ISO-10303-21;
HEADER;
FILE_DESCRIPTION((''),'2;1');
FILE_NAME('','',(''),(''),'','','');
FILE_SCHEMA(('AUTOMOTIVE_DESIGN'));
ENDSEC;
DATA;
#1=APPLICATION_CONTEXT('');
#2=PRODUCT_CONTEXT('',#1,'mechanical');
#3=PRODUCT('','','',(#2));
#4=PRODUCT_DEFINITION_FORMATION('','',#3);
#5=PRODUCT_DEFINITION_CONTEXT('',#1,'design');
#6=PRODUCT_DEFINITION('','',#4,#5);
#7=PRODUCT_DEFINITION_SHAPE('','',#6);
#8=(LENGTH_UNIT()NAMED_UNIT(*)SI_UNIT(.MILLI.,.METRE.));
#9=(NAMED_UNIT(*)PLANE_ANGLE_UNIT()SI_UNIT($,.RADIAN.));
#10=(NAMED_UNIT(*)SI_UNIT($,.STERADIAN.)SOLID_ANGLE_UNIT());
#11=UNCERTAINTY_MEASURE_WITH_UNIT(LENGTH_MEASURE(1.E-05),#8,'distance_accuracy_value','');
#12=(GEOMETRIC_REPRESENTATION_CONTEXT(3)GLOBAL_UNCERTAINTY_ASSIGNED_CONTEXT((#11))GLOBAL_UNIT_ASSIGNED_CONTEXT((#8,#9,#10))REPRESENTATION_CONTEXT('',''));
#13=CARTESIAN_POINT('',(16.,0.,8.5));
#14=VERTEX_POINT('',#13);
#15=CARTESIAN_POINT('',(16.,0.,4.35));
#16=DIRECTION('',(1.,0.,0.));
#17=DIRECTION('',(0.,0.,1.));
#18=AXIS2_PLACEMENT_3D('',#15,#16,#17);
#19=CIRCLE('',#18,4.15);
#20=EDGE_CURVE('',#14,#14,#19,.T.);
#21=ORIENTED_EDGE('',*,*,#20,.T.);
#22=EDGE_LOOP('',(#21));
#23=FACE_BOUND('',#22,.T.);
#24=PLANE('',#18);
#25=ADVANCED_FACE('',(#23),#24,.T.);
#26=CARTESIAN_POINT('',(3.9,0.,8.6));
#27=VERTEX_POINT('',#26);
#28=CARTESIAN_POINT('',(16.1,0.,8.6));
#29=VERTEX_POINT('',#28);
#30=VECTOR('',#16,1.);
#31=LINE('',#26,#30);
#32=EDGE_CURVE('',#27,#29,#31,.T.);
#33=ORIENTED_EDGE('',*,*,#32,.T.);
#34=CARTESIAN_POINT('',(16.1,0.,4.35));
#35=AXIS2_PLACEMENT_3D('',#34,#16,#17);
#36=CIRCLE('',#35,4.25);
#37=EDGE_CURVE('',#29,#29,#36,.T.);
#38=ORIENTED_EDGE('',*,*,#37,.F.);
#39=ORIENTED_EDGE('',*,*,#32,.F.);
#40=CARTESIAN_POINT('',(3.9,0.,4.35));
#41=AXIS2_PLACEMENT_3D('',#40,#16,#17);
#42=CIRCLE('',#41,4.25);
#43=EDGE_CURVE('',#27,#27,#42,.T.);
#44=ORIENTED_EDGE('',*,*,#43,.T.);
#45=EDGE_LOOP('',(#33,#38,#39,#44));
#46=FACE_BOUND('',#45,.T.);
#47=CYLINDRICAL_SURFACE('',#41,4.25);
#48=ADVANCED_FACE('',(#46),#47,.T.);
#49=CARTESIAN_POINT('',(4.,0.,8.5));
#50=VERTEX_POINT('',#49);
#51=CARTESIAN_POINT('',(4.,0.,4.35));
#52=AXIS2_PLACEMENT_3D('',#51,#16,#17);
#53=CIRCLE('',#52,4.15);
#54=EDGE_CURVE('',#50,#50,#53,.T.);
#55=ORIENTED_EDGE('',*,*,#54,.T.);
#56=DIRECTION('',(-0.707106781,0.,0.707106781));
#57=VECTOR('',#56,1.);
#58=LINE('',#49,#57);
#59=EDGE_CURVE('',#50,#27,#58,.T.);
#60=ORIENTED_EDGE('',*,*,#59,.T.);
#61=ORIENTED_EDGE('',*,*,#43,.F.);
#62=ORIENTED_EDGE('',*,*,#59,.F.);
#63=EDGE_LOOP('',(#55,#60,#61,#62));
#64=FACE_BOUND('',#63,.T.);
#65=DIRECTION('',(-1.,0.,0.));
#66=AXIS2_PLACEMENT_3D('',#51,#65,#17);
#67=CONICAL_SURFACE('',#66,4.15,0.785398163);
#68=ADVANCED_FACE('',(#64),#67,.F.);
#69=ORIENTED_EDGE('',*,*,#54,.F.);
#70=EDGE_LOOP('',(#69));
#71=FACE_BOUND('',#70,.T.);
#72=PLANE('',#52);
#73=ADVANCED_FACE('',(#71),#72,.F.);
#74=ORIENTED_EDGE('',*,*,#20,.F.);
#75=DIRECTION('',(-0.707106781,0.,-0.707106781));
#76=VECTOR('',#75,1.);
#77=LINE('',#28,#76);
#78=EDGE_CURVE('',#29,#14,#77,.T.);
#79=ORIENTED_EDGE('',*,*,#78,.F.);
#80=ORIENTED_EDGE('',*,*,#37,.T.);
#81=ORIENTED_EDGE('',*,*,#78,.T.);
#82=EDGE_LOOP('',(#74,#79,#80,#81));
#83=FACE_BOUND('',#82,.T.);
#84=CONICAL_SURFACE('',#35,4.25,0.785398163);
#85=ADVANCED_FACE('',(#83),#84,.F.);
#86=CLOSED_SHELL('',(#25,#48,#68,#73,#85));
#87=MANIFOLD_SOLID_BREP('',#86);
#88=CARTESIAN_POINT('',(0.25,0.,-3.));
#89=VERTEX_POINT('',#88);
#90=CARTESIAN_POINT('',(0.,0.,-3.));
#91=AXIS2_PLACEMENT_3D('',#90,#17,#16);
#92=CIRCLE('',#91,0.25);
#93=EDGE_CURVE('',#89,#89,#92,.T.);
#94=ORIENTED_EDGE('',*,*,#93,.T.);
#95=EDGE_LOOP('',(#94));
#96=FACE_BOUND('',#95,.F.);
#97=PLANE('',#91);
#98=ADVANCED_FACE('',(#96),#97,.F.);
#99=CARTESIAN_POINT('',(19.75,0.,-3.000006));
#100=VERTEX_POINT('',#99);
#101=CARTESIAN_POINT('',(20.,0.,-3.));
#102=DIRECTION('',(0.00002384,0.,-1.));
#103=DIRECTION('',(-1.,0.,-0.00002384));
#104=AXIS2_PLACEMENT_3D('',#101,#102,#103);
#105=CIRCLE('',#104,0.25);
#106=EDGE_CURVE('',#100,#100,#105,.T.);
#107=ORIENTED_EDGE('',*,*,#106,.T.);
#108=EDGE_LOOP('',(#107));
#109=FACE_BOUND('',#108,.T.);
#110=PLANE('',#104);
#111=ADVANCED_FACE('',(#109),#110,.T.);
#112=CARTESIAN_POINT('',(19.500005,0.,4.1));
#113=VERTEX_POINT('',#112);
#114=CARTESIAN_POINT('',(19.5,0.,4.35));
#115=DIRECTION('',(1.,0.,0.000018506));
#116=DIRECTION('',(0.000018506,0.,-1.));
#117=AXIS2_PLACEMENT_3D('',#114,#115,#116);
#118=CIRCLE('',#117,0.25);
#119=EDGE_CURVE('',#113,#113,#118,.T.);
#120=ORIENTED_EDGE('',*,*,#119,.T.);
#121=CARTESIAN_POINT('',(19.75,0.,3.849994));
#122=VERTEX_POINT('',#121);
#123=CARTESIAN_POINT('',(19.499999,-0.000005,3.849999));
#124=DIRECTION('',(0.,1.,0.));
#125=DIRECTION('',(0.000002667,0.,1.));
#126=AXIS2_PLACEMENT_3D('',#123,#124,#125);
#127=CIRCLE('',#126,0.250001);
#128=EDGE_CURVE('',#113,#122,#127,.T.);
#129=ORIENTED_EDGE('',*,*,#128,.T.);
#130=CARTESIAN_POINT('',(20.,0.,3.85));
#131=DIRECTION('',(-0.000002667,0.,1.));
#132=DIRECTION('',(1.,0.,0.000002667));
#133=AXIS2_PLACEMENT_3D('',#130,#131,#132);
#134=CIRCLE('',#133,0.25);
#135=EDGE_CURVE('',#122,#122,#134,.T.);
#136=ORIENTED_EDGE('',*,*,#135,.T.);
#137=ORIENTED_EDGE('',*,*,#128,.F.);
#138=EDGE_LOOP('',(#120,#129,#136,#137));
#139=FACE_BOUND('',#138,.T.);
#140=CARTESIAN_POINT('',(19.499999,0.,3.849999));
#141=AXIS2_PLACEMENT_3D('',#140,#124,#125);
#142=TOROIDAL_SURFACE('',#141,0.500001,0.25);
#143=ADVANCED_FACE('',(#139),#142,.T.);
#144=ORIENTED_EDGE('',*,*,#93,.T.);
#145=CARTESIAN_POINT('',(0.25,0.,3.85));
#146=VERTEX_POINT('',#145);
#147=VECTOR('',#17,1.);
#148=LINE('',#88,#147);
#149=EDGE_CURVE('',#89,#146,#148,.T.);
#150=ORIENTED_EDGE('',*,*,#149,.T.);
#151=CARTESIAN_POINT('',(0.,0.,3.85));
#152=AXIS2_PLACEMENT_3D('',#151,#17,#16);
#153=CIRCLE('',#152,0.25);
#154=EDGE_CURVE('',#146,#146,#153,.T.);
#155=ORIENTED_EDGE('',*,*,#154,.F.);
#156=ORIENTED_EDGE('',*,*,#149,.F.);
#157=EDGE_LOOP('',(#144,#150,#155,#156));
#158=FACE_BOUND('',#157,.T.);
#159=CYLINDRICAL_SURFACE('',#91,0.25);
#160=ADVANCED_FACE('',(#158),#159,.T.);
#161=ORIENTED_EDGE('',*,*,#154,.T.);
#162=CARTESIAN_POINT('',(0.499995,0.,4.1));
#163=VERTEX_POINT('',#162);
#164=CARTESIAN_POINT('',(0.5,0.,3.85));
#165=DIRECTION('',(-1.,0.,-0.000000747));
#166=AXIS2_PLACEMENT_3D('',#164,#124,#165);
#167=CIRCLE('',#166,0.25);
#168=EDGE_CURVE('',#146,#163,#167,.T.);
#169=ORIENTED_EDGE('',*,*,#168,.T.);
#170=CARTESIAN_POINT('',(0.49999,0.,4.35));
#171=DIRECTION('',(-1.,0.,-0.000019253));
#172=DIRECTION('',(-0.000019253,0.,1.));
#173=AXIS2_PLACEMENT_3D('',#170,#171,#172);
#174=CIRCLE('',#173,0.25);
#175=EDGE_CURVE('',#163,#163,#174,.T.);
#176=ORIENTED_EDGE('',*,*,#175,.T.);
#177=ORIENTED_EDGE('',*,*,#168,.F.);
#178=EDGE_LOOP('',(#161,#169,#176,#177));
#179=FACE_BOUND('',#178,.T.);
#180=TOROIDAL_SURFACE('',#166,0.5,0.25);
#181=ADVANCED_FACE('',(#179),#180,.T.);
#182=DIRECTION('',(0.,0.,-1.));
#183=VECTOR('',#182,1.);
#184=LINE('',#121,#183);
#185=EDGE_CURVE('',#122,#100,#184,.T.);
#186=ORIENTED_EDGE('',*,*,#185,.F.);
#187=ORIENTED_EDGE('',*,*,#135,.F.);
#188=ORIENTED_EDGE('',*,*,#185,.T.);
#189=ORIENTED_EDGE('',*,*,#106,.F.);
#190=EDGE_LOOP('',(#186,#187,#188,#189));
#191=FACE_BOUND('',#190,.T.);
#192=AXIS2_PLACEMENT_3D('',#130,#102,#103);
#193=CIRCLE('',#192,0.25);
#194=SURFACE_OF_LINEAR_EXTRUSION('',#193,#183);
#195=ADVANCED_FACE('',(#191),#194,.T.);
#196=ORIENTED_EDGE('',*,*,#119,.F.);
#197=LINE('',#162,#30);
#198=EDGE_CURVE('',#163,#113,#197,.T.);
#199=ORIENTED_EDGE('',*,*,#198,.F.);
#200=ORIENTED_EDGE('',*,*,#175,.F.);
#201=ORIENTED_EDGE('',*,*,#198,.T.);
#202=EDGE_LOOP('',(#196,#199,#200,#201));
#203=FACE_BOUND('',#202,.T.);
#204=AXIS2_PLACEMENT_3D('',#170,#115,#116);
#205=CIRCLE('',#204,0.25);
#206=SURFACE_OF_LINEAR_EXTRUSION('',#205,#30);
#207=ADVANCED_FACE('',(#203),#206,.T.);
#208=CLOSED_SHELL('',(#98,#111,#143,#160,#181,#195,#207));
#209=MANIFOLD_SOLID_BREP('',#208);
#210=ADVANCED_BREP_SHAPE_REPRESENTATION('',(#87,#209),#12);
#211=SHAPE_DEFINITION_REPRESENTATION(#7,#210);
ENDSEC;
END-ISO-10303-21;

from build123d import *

# Parameters (mm, degrees)
SKETCH_R = 0.25


with BuildPart() as sweep_body:
    # Sweep: sweep along a path in Sketch001
    with BuildLine(Plane.XZ) as sweep_path:
        Line((0, -3), (0, 3.85))
        ThreePointArc((0, 3.85), (0.146443, 4.20355), (0.49999, 4.35))
        Line((0.49999, 4.35), (19.5, 4.35))
        ThreePointArc((19.5, 4.35), (19.853553, 4.203553), (20, 3.85))
        Line((20, 3.85), (20, -3))
    # Sketch → Sweep (sweep)
    with BuildSketch(Plane.XY.offset(-2)):
        Circle(SKETCH_R)
    sweep(path=sweep_path.line)


with BuildPart() as revolution:
    # Sketch002 → Revolution (revolve)
    with BuildSketch(Plane.XZ):
        Polygon((3.9, 8.6), (16.1, 8.6), (16, 8.5), (16, 4.35), (4, 4.35), (4, 8.5), align=None)
    revolve(axis=Axis((7.611803, 0, 4.35), (1, 0, 0)))


solid = Compound([sweep_body.part, revolution.part])
